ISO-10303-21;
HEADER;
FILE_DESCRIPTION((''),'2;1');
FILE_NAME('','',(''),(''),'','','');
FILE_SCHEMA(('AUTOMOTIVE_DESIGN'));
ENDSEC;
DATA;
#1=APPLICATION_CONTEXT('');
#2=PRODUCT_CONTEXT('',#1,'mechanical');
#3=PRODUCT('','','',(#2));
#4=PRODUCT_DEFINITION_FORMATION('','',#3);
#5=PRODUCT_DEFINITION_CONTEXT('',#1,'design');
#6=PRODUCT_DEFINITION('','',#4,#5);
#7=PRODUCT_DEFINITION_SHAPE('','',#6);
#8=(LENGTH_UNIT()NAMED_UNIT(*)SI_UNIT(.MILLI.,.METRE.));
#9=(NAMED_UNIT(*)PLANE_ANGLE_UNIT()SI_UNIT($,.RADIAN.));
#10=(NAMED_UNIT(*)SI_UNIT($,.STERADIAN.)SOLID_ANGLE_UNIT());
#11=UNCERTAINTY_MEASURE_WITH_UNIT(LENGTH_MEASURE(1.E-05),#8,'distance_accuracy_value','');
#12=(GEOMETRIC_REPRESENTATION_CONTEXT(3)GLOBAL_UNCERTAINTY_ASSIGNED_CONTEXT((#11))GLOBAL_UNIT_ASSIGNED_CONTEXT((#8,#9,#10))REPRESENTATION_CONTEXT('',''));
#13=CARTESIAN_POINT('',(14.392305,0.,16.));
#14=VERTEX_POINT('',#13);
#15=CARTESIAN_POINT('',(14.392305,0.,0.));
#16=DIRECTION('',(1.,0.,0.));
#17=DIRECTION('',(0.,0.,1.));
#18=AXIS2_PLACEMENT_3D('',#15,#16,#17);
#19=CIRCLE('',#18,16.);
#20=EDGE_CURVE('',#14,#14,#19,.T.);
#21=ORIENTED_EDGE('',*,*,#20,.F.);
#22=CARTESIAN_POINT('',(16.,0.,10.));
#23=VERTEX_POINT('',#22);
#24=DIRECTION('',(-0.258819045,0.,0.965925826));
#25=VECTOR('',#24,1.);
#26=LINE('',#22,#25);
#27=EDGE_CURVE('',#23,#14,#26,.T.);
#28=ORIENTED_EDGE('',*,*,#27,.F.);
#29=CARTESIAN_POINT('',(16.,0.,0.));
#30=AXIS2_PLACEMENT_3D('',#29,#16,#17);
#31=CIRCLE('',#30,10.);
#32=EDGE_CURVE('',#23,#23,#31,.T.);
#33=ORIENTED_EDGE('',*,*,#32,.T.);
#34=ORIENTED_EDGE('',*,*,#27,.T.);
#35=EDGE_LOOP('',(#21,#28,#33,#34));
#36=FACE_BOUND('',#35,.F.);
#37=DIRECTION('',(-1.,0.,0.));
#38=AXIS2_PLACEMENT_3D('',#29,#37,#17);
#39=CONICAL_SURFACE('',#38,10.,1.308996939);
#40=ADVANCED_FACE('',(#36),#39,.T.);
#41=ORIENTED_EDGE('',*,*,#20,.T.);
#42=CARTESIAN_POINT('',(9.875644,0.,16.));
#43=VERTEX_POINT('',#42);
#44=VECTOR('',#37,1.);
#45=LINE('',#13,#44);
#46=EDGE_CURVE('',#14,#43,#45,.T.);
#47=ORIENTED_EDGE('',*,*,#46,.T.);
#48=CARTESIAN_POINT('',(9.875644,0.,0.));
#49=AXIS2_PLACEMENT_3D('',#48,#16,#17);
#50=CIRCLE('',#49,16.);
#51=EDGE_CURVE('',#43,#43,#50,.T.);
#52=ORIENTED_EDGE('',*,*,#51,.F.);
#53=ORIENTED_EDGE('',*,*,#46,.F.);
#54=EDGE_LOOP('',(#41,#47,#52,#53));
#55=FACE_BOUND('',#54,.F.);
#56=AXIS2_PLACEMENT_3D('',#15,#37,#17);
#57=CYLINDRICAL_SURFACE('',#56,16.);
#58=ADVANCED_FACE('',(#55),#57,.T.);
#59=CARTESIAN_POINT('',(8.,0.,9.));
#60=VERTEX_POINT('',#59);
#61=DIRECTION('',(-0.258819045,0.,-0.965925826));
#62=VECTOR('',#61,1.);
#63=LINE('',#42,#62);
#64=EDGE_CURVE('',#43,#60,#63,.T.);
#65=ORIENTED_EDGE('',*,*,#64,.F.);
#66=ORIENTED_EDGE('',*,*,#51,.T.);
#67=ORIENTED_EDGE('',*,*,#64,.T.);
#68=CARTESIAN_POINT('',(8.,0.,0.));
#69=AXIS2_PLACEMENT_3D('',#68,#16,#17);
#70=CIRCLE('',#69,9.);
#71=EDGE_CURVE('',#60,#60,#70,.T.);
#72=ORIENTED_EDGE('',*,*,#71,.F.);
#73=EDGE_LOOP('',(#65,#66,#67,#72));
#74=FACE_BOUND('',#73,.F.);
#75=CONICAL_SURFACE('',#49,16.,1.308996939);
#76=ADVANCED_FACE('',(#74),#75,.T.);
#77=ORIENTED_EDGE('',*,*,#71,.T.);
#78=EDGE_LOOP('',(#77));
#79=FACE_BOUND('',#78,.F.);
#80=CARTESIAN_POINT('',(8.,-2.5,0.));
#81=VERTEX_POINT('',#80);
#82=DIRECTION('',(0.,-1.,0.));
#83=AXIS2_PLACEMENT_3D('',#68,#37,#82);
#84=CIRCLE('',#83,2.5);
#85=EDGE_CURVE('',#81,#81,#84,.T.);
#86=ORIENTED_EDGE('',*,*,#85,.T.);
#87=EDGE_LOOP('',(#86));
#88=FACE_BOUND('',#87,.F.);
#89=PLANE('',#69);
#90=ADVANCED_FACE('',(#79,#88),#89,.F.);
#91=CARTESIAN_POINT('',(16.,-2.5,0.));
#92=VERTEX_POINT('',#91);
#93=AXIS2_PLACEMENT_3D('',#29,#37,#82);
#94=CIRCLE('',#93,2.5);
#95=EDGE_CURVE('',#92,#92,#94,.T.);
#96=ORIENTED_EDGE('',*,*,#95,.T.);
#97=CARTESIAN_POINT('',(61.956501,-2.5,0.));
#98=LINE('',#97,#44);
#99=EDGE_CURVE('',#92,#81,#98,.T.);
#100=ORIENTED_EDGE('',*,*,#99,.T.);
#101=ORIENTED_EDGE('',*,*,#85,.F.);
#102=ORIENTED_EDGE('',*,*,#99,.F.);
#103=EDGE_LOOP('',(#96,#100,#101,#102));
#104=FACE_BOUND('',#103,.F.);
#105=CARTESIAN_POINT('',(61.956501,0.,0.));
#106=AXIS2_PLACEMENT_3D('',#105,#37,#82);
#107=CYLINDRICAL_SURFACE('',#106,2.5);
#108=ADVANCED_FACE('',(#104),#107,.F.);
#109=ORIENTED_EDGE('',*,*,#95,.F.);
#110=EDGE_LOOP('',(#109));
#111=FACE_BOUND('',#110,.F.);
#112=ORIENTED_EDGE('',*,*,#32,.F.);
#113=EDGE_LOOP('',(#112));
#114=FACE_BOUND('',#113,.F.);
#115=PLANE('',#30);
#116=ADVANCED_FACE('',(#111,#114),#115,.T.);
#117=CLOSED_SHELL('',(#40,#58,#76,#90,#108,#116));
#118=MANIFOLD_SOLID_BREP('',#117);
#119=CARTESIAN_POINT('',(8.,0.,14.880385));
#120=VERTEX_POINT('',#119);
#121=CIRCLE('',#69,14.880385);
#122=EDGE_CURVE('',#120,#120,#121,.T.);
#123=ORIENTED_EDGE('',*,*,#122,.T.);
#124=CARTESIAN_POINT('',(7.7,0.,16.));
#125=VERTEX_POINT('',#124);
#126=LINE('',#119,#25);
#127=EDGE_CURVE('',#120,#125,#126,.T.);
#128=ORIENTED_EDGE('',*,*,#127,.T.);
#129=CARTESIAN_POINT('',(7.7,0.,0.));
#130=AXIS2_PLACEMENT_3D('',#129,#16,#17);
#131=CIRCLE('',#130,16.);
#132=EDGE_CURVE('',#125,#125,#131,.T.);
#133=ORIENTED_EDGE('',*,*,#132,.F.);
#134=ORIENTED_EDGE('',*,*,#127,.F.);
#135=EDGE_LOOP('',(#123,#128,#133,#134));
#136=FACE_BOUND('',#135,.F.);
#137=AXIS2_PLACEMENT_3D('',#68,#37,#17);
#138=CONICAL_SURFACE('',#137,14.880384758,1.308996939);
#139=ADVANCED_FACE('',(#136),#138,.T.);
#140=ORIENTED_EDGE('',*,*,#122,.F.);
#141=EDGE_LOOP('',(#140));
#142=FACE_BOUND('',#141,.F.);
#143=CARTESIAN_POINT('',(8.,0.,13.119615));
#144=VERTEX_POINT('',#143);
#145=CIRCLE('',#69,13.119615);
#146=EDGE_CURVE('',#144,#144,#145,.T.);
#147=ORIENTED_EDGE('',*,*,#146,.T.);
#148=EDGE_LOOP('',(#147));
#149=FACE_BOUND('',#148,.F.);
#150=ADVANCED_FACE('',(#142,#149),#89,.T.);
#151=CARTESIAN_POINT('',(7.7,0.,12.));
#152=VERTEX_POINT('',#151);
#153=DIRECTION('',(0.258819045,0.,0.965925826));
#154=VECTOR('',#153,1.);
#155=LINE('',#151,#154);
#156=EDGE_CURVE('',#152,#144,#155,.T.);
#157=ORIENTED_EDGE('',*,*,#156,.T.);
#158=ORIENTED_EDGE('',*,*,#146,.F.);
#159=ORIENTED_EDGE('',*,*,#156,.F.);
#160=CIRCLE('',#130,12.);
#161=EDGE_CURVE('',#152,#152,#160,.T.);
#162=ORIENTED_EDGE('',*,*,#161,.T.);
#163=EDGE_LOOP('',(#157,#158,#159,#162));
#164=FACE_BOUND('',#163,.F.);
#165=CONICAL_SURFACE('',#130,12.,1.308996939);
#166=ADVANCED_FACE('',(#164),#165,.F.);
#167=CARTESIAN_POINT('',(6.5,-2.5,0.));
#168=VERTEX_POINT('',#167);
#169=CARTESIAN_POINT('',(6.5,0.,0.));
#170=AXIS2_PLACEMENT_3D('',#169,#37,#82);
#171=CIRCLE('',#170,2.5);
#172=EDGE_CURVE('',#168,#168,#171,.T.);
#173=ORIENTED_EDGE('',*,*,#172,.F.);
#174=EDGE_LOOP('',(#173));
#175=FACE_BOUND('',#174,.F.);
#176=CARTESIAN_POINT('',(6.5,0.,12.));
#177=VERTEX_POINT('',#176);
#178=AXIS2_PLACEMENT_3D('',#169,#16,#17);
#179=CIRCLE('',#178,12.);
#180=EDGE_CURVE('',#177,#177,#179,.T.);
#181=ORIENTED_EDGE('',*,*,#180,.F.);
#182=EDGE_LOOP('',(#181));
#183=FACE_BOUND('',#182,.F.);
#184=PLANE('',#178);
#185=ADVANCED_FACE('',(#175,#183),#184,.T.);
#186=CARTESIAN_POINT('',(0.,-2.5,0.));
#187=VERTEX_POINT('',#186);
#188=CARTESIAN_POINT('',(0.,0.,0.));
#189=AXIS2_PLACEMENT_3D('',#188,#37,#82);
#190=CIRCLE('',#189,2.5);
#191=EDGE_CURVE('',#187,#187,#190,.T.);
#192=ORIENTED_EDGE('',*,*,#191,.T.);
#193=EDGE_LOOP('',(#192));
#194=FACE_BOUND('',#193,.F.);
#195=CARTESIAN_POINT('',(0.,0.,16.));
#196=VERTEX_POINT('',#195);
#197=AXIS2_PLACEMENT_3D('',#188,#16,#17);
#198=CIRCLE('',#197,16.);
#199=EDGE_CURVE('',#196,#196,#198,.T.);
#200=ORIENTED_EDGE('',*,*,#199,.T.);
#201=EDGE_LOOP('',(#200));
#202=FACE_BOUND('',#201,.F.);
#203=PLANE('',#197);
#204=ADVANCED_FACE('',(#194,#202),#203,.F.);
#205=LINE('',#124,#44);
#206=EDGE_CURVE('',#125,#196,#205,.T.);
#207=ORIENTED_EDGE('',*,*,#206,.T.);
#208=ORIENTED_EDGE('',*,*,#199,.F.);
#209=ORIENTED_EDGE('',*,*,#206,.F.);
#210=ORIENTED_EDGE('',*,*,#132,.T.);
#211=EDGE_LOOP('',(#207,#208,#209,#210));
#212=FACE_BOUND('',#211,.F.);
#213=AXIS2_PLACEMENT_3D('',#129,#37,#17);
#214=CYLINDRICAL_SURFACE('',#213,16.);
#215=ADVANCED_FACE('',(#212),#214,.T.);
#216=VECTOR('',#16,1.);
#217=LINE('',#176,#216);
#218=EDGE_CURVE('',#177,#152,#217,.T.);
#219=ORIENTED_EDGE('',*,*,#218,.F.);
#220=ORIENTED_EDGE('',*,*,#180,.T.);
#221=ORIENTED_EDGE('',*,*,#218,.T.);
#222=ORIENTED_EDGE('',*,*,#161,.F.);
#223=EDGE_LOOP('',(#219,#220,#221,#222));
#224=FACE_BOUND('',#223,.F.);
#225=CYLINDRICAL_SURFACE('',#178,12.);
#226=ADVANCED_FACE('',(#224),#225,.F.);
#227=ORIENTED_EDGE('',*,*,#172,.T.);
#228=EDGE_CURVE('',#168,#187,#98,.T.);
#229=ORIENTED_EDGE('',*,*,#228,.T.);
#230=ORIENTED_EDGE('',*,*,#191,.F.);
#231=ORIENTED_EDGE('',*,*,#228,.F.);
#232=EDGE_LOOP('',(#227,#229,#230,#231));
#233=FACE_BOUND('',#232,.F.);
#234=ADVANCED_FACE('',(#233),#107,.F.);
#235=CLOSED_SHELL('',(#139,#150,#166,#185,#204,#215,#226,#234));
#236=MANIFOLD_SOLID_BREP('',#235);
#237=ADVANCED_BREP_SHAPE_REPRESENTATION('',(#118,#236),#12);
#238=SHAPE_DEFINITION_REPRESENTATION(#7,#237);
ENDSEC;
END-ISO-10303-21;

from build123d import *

# Parameters (mm, degrees)
F4_D   = 5
F4_2_D = 5


with BuildPart() as f1:
    # F0 (on Front) → F1 (revolve)
    with BuildSketch(Plane.XZ):
        Polygon((0, 16), (0, 3), (0, 0), (6.5, 0), (6.5, 6), (6.5, 12), (7.7, 12), (8, 13.1196152423), (8, 14.8803847577), (7.7, 16), align=None)
    revolve(axis=Axis((4, 0, 0), (1, 0, 0)))

    # F4 (through all)
    with Locations(Plane.YZ.offset(16)):
        with Locations((0, 0)):
            Hole(F4_D / 2)


with BuildPart() as f2:
    # F0 (on Front) → F2 (revolve)
    with BuildSketch(Plane.XZ):
        Polygon((8, 6), (8, 0), (16, 0), (16, 10), (14.3923048454, 16), (9.875644347, 16), (8, 9), align=None)
    revolve(axis=Axis((12, 0, 0), (1, 0, 0)))

    # F4#2 (through all)
    with Locations(Plane.YZ.offset(16)):
        with Locations((0, 0)):
            Hole(F4_2_D / 2)


solid = Compound([f1.part, f2.part])
